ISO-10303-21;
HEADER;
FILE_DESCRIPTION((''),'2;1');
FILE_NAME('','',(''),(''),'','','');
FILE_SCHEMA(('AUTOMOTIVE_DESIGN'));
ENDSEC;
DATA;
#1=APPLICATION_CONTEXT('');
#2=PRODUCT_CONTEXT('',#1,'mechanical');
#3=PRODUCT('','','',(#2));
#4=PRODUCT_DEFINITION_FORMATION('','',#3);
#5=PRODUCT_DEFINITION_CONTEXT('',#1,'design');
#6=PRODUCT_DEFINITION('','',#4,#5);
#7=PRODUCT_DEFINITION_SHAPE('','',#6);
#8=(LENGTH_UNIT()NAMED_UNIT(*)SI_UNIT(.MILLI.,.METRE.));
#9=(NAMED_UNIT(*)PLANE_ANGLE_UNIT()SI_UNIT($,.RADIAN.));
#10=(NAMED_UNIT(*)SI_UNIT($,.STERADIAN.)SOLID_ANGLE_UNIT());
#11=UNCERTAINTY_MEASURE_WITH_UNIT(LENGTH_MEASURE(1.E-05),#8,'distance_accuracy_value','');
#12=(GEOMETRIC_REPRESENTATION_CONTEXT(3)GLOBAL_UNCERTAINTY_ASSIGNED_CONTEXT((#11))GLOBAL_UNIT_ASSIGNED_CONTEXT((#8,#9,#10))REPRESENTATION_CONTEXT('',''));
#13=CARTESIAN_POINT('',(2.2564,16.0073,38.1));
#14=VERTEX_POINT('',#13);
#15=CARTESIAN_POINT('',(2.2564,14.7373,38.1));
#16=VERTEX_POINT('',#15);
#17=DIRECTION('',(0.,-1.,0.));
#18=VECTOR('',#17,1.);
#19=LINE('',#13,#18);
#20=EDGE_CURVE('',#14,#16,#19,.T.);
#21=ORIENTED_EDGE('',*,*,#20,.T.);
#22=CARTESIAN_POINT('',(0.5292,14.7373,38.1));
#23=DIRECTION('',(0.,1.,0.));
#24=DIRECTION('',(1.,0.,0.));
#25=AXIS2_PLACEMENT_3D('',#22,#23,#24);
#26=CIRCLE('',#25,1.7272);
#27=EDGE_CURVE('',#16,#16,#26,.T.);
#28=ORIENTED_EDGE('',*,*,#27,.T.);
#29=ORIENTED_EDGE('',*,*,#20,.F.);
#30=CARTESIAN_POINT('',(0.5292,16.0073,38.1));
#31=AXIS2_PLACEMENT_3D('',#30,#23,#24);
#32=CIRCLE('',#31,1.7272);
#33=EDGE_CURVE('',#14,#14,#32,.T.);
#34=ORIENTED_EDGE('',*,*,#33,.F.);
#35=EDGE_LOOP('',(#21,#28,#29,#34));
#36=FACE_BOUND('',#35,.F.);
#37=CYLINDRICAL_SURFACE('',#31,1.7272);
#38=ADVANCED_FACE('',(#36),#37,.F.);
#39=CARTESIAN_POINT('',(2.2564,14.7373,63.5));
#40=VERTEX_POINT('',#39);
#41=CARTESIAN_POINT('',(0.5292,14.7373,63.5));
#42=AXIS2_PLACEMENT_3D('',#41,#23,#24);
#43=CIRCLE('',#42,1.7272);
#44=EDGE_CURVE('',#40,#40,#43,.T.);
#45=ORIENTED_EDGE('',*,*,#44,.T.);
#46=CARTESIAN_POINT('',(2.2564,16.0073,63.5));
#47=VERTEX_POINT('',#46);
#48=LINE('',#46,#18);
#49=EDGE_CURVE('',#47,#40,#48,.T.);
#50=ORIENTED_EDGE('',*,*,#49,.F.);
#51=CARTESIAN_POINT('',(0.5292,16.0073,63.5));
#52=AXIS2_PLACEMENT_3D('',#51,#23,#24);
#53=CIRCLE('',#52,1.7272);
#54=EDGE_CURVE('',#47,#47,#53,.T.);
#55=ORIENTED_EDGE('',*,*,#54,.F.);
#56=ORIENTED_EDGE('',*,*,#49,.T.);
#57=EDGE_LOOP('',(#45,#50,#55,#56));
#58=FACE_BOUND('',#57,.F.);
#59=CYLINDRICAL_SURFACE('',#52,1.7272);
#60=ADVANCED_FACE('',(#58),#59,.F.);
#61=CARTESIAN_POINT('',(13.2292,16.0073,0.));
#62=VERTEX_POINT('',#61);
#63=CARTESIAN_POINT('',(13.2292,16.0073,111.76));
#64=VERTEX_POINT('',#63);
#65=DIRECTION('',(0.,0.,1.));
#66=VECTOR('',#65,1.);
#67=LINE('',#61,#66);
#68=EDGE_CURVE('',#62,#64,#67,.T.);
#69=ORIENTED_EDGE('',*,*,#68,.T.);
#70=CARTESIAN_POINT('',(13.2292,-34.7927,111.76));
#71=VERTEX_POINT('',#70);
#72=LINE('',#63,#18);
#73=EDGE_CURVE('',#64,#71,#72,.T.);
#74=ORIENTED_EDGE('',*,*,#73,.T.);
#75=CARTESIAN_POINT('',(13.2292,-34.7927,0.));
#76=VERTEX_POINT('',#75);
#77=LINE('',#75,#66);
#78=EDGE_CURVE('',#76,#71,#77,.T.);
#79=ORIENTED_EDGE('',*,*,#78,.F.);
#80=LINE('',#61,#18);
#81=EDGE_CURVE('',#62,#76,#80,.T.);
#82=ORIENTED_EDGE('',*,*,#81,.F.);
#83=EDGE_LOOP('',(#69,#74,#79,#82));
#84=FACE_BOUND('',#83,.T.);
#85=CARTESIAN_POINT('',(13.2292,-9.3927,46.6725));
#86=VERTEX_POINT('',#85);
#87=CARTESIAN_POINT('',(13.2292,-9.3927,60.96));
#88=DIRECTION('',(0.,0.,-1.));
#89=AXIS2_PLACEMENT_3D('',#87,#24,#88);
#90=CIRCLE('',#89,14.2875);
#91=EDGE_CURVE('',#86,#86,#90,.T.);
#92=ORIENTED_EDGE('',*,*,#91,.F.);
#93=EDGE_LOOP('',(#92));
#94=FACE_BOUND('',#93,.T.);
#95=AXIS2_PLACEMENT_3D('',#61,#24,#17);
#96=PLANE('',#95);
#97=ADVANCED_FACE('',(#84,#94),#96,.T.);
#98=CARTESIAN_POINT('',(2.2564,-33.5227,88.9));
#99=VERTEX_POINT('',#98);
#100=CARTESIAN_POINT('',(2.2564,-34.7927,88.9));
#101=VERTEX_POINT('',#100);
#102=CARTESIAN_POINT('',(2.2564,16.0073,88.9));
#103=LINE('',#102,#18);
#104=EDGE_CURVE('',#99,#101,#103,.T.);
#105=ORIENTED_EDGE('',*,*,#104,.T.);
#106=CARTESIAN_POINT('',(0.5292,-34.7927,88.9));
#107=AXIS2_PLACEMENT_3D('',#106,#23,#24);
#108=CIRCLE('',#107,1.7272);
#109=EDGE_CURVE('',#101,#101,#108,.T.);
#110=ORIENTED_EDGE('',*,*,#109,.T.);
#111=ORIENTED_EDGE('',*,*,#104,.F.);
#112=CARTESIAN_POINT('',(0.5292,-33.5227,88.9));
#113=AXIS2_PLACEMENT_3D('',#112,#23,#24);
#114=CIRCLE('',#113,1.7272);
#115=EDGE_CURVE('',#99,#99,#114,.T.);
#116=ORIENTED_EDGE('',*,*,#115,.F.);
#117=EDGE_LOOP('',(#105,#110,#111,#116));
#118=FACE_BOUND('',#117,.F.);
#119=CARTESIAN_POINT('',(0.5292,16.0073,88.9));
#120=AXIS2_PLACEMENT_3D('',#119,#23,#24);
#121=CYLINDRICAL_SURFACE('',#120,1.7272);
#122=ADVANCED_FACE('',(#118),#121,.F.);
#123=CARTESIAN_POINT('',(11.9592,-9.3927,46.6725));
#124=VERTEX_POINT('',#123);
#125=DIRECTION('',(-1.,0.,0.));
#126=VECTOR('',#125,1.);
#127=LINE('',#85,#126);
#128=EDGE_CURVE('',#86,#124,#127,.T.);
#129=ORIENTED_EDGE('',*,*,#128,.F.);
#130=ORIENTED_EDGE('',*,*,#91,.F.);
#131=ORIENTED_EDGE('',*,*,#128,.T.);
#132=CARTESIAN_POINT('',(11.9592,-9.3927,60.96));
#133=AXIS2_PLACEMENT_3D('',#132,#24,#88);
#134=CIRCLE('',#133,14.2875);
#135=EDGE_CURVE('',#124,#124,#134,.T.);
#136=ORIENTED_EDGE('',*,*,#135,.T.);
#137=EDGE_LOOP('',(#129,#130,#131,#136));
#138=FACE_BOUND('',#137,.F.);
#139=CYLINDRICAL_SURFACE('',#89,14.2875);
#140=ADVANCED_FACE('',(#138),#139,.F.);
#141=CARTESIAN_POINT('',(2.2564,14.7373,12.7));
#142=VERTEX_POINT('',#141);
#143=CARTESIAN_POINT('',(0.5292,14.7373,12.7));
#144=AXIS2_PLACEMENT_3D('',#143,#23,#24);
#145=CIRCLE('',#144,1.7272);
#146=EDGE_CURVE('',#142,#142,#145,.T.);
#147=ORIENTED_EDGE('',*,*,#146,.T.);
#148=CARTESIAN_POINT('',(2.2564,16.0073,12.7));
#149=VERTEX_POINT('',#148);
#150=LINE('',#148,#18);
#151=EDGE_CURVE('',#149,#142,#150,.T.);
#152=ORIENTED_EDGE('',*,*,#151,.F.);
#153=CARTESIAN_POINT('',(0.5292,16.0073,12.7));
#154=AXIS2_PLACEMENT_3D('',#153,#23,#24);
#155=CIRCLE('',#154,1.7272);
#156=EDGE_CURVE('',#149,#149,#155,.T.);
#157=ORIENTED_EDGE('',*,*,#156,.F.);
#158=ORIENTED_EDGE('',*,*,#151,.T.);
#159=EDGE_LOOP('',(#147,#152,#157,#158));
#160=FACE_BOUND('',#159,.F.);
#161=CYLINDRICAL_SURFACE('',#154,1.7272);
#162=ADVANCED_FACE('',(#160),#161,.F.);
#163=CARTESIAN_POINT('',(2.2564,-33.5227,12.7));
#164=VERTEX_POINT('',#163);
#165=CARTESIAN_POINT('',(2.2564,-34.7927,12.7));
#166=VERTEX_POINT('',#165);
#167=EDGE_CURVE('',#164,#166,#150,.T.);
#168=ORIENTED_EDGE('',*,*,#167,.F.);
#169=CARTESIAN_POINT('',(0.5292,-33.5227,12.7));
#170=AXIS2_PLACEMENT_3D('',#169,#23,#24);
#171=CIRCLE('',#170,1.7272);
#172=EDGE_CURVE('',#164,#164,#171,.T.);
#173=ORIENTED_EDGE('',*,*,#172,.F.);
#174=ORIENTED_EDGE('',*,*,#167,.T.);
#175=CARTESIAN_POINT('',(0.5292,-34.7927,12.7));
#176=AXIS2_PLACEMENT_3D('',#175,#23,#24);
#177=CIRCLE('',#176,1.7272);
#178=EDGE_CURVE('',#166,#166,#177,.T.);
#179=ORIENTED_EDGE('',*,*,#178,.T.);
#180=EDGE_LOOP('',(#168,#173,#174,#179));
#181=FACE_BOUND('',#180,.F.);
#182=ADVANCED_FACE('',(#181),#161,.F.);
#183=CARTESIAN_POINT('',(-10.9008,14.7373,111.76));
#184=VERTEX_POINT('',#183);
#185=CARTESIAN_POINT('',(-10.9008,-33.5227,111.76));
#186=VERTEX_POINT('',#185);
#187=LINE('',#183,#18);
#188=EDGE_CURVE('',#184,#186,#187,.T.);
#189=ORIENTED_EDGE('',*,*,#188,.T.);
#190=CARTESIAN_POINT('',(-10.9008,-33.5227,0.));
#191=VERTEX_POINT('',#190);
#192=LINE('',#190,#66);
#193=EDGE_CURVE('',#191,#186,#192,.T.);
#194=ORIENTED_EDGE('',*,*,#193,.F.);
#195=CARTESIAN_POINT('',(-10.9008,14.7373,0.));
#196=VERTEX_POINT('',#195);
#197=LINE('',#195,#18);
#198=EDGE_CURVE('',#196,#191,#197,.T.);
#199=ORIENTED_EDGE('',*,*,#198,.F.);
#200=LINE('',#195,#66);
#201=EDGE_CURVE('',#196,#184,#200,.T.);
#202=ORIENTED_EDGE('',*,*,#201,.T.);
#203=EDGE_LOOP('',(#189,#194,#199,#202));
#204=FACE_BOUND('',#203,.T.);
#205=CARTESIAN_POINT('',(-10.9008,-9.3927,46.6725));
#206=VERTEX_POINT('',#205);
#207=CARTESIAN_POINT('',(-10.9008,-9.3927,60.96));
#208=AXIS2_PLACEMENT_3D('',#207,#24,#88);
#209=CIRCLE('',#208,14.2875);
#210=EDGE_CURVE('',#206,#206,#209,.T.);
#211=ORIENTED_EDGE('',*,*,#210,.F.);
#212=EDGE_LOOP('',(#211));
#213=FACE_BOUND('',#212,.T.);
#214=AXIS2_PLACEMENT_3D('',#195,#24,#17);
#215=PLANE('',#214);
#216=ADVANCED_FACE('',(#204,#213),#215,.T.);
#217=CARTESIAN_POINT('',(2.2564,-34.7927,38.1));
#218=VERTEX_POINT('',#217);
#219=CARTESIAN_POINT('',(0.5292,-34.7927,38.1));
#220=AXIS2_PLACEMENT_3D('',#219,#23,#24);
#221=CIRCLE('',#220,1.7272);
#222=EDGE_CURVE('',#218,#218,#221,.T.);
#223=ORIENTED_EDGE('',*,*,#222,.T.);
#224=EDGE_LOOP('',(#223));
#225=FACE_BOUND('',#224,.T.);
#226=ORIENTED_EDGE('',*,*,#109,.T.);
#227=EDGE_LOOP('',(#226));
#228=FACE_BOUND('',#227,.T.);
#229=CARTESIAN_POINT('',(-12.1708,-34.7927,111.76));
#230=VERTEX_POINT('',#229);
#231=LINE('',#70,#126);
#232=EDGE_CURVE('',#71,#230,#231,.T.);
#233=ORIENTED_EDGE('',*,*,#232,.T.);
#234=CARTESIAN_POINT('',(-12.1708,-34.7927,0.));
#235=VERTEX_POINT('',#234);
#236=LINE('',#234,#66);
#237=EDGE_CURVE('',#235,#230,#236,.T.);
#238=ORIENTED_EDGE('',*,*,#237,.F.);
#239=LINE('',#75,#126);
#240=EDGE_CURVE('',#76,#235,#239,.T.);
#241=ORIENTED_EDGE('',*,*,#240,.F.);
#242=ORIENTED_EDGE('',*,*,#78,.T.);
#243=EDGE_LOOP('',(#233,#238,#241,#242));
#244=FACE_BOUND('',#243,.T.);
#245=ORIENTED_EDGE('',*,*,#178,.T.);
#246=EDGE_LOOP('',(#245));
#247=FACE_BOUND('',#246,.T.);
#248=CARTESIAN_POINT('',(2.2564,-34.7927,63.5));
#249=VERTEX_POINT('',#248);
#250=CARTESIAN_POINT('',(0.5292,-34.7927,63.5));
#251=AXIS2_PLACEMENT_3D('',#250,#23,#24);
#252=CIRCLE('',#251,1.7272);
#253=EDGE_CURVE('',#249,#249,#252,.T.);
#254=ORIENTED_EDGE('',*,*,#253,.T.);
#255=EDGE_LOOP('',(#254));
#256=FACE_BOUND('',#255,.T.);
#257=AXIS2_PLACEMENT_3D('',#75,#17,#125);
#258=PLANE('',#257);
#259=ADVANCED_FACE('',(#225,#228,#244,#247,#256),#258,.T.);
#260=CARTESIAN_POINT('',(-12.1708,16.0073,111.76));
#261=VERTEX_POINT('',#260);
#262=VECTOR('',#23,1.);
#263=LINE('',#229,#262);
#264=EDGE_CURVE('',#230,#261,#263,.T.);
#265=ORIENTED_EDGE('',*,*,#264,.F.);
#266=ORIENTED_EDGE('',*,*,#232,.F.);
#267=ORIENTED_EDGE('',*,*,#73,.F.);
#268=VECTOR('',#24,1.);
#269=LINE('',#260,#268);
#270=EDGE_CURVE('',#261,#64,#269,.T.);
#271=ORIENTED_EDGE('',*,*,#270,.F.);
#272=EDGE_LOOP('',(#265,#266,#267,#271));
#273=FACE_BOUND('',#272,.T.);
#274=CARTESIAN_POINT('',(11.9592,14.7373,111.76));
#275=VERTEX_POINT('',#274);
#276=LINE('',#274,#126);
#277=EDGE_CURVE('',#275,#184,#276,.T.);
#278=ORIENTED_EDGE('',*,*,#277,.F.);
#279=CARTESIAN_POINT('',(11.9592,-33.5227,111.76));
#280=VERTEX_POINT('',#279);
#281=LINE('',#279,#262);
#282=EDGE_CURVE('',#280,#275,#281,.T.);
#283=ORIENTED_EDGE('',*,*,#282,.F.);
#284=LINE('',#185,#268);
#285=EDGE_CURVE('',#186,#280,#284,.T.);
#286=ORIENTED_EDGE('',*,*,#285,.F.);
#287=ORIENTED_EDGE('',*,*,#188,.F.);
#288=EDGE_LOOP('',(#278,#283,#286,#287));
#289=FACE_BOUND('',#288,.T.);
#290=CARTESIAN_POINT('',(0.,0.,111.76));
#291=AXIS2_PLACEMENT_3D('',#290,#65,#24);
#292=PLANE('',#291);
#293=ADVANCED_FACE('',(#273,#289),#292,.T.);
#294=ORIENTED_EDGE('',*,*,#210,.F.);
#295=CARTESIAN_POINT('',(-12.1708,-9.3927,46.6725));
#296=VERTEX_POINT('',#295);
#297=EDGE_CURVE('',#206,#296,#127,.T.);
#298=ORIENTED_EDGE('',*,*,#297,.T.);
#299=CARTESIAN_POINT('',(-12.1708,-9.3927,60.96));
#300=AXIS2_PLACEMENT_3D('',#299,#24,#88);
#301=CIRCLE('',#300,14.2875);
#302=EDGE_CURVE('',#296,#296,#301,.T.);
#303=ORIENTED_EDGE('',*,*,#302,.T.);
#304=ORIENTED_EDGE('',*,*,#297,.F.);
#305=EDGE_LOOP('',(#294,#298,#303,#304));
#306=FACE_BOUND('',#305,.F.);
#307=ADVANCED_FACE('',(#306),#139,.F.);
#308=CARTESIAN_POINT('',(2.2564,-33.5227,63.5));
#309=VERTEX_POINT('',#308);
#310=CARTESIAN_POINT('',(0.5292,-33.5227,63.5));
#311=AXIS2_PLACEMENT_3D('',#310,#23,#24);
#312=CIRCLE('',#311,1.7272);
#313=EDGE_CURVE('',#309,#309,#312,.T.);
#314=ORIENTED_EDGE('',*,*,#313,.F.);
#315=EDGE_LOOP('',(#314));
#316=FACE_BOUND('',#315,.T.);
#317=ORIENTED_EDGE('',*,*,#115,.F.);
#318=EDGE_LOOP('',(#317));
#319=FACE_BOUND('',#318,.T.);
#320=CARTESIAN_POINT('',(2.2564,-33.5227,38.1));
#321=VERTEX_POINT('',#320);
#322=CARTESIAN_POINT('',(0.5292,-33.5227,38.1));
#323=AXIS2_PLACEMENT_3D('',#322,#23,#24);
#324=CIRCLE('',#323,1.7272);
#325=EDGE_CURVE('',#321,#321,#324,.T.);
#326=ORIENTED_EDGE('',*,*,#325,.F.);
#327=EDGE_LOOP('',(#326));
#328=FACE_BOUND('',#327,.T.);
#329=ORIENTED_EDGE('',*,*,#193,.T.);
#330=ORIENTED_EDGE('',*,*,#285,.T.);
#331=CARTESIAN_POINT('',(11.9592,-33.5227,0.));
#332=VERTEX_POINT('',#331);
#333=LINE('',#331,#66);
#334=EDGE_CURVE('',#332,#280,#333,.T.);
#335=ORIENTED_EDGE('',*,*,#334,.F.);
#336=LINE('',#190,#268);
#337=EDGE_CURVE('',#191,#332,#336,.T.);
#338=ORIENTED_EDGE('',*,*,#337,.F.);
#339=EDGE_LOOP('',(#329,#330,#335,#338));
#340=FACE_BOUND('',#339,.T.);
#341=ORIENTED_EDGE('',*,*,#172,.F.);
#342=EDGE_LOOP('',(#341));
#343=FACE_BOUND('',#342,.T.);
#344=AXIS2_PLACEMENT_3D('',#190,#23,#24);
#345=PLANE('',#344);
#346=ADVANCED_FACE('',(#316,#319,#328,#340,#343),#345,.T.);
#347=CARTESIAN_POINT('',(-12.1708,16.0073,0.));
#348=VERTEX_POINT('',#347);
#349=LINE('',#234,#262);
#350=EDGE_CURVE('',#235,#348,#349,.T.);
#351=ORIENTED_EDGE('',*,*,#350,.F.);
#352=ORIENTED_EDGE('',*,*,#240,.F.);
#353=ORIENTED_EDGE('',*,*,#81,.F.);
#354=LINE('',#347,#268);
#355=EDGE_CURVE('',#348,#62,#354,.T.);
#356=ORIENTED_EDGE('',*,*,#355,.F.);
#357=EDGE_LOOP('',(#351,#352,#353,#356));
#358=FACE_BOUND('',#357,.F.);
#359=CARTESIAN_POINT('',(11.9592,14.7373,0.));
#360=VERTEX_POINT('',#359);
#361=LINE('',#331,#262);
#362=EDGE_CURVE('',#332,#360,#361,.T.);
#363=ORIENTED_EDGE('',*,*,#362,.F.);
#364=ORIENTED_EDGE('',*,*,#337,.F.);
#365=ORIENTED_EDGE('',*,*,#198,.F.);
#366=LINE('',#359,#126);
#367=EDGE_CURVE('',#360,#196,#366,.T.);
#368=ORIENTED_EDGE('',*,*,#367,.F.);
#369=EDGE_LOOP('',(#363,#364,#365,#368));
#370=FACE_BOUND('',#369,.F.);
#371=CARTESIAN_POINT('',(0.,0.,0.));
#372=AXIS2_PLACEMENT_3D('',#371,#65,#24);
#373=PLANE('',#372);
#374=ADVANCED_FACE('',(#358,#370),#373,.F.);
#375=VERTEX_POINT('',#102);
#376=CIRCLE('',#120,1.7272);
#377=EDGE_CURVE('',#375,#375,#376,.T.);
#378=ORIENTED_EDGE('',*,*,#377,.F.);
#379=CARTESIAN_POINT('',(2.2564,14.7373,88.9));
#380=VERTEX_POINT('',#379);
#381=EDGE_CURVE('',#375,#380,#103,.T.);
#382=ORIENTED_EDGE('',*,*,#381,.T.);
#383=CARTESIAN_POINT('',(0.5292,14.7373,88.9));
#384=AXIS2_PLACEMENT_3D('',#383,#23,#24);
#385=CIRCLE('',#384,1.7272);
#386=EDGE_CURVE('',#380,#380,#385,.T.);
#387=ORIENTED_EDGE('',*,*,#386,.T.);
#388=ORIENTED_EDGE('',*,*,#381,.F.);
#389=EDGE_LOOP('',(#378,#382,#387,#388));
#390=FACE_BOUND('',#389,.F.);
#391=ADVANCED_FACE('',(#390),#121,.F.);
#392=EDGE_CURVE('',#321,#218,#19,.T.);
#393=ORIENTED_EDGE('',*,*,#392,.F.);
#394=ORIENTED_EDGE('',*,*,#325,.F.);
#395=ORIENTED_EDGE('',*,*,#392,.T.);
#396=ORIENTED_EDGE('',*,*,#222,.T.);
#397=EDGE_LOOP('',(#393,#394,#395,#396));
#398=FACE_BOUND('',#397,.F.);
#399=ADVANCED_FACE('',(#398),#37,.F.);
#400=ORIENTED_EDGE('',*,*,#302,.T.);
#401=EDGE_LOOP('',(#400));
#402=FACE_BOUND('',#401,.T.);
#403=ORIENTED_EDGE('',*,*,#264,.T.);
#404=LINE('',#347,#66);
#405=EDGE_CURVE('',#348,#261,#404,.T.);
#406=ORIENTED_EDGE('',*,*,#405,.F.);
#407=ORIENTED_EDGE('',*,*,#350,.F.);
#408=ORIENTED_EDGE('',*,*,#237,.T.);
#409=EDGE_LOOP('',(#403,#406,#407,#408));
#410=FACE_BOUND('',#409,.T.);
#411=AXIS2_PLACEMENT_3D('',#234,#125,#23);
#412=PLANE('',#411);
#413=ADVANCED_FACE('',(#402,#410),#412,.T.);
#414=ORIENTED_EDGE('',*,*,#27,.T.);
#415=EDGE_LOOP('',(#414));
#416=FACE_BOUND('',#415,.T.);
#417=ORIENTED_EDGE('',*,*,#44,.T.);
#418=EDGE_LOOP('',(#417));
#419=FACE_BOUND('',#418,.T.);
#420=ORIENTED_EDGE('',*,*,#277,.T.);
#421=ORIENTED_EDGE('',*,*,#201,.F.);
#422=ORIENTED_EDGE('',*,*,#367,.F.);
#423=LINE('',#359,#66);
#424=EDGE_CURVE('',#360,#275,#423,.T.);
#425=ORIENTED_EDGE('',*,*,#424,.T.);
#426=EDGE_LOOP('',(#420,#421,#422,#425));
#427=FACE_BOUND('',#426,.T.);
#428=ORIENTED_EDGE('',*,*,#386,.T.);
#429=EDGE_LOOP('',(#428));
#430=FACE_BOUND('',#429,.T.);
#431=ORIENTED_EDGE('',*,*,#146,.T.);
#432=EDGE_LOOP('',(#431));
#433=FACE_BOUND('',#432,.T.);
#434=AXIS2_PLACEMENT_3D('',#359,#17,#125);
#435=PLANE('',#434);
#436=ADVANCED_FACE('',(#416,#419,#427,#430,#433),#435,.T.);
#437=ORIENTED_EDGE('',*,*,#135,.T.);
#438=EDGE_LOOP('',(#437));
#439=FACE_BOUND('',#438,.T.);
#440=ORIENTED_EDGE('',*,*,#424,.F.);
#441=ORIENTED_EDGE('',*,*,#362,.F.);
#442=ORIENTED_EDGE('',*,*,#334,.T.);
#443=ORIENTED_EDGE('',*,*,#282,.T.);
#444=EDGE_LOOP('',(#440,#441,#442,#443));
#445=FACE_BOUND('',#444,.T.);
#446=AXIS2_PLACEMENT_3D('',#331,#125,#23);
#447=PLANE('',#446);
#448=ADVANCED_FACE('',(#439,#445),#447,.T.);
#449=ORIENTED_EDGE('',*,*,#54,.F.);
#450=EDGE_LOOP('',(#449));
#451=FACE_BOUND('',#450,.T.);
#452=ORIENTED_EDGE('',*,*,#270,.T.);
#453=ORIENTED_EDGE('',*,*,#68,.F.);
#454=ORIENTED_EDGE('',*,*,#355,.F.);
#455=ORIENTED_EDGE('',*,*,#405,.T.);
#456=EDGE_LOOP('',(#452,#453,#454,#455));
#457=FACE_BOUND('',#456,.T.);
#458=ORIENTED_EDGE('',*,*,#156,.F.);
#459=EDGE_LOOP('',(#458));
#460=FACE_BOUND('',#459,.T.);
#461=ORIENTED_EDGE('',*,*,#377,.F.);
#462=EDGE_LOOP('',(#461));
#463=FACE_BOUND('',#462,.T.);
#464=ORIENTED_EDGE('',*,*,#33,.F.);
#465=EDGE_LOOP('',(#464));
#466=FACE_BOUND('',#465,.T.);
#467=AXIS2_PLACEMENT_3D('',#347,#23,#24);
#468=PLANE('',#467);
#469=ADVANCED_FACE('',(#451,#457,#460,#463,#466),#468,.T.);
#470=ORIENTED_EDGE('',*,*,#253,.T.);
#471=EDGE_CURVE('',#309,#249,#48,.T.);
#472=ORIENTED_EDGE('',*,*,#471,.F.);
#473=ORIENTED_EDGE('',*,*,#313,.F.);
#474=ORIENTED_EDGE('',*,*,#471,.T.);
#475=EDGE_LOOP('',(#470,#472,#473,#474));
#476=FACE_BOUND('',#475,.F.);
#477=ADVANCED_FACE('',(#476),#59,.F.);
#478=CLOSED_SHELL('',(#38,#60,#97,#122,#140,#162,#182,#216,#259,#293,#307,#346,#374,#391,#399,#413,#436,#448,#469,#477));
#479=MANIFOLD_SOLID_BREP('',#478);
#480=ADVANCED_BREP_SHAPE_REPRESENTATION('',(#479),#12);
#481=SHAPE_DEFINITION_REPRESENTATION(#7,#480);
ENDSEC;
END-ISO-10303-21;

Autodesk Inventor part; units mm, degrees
ref_plane "YZ Plane" through (0, 0, 0) normal (1, 0, 0) x (0, 1, 0)
ref_plane "XZ Plane" through (0, 0, 0) normal (0, 1, 0) x (-1, 0, 0)
ref_plane "XY Plane" through (0, 0, 0) normal (0, 0, 1) x (1, 0, 0)
sketch "Sketch1" plane through (0, 0, 0) normal (0, 0, 1) x (1, 0, 0)
  line L0 (-12.1708, 16.0073) -> (13.2292, 16.0073)
  line L1 (13.2292, 16.0073) -> (13.2292, -34.7927)
  line L2 (13.2292, -34.7927) -> (-12.1708, -34.7927)
  line L3 (-12.1708, -34.7927) -> (-12.1708, 16.0073)
  line L4 (11.9592, 14.7373) -> (-10.9008, 14.7373)
  line L5 (-10.9008, 14.7373) -> (-10.9008, -33.5227)
  line L6 (-10.9008, -33.5227) -> (11.9592, -33.5227)
  line L7 (11.9592, -33.5227) -> (11.9592, 14.7373)
  point P0 (0, 0)
  dimension "d0" = 25.4
  dimension "d1" = 50.8
  dimension "d2" = 1.27
extrude "Extrusion1" add sketch "Sketch1" along normal blind 111.76
sketch "Sketch2" plane through (-12.1708, 16.0073, 0) normal (0, 1, 0) x (1, 0, 0)
  circle A0 centre (12.7, -12.7) radius 1.7272
  line L0 (25.4, 0) -> (0, 0) projected
  line L1 (0, 0) -> (0, -111.76) projected
  point P0 (12.1708, 0)
  dimension "d5" = 3.4544
  dimension "d6" = 12.7
  dimension "d7" = 12.7
extrude "Extrusion2" cut sketch "Sketch2" against normal through all
pattern_linear "Rectangular Pattern1" count 11 spacing 25.4 along (0, 0, 1) of "Extrusion2"
sketch "Sketch3" plane through (13.2292, -34.7927, 0) normal (1, 0, 0) x (0, 0, -1)
  circle A0 centre (-60.96, 25.4) radius 14.2875
  line L0 (0, 0) -> (-111.76, 0) projected
  line L1 (-111.76, 0) -> (-111.76, 50.8) projected
  point P0 (0, 34.7927)
  dimension "d15" = 25.4
  dimension "d16" = 50.8
  dimension "d17" = 28.575
extrude "Extrusion3" cut sketch "Sketch3" against normal through all
equation "\"d3\" = d13"
equation "\"d10\" = d14"
equation "\"d13\" = 111.76"
equation "\"d14\" = d13"
properties part number "Test  Stock Rotation extender"
